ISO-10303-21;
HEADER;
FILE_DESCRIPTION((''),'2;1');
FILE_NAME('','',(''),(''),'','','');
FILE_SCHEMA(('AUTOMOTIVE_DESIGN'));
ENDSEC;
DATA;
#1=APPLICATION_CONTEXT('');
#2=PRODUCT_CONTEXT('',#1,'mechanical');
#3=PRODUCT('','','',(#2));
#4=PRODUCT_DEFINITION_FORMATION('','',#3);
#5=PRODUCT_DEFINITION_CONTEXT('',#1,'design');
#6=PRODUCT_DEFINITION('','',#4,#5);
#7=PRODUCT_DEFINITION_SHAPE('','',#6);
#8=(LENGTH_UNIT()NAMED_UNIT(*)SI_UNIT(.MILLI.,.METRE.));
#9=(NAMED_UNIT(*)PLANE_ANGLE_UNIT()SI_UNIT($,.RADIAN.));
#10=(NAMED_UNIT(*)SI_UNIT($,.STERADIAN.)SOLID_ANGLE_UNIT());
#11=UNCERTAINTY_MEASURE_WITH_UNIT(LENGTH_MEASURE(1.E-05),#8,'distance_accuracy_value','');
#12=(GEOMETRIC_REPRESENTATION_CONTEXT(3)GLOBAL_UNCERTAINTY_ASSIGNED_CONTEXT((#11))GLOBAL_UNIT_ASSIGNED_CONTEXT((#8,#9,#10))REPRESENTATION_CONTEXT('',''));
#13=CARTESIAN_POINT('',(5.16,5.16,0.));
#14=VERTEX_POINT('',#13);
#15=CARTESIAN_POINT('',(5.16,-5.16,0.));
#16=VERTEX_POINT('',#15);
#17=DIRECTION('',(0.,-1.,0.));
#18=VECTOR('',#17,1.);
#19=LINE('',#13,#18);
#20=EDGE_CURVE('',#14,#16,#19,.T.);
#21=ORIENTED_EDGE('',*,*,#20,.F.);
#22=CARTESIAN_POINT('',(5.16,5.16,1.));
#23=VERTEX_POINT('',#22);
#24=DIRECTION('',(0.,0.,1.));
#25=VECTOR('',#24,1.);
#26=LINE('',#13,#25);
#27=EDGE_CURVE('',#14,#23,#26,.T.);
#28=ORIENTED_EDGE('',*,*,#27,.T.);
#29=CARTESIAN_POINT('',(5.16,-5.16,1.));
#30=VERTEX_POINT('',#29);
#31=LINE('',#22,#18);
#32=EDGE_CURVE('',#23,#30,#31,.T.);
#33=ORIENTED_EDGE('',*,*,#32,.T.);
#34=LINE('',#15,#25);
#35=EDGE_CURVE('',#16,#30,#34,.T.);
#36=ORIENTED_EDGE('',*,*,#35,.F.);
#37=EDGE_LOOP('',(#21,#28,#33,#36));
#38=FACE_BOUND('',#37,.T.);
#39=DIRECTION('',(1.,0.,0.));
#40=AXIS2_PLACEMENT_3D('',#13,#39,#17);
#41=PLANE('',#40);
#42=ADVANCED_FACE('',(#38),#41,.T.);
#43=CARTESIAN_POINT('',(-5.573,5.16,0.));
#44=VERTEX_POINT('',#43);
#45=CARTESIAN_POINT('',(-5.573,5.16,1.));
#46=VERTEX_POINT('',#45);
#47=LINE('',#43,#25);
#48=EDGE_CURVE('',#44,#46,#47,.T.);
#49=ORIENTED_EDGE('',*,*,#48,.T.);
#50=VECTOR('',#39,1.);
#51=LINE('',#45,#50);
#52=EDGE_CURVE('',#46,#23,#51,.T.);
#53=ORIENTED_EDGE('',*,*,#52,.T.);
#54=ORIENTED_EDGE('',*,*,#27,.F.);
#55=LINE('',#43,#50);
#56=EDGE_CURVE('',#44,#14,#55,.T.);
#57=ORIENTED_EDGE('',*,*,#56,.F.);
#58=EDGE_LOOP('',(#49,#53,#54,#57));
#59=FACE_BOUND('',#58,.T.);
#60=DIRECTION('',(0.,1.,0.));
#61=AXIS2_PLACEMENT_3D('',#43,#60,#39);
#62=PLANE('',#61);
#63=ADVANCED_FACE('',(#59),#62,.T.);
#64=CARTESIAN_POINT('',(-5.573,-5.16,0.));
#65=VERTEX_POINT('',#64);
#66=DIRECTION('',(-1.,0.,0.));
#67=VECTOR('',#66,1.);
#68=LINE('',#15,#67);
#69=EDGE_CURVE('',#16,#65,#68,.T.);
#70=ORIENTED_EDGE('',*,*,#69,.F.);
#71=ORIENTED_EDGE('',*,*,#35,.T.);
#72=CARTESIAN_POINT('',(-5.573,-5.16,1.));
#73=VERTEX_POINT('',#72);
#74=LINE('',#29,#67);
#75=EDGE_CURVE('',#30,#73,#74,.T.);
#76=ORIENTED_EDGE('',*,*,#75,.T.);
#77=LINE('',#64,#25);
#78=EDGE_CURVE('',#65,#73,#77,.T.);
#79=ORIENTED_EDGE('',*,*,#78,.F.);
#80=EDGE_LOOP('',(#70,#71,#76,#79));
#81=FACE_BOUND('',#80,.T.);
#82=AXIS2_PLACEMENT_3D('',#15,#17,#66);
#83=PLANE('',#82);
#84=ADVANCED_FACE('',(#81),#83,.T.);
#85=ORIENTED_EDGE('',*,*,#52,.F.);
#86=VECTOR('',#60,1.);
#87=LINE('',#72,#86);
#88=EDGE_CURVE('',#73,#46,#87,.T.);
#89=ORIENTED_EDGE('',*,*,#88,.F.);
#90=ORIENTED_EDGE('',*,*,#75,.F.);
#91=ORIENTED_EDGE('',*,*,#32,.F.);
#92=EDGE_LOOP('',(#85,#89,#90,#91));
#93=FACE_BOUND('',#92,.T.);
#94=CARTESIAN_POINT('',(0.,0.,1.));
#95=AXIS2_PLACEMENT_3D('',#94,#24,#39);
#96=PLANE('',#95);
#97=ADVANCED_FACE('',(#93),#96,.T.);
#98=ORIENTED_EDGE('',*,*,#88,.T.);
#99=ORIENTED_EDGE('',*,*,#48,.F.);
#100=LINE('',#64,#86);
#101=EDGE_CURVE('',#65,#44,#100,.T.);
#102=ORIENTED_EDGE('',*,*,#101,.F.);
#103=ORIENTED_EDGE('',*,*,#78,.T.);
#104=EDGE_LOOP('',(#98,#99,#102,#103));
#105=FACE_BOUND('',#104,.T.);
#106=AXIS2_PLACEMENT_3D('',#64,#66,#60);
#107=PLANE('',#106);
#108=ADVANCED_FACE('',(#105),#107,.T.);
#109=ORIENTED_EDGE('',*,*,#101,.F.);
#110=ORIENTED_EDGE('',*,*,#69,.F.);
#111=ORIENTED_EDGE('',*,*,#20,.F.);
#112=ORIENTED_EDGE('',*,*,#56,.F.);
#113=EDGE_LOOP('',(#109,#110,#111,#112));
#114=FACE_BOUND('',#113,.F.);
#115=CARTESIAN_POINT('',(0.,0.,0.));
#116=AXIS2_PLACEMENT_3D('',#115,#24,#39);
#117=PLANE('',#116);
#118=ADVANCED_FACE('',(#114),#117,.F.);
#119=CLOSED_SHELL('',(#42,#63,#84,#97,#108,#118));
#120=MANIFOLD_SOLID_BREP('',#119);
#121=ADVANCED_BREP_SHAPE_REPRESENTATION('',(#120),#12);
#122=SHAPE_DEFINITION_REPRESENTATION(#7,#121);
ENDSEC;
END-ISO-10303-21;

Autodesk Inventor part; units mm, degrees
ref_plane "YZ Plane" through (0, 0, 0) normal (1, 0, 0) x (0, 1, 0)
ref_plane "XZ Plane" through (0, 0, 0) normal (0, 1, 0) x (-1, 0, 0)
ref_plane "XY Plane" through (0, 0, 0) normal (0, 0, 1) x (1, 0, 0)
sketch "QFP80P900X900X120-32N, ATMEGA328PB-AUR_31" plane through (0, 0, 0) normal (0, 0, 1) x (1, 0, 0)
  line L0 (-5.573, 5.16) -> (5.16, 5.16)
  line L1 (5.16, 5.16) -> (5.16, -5.16)
  line L2 (5.16, -5.16) -> (-5.573, -5.16)
  line L3 (-5.573, -5.16) -> (-5.573, 5.16)
extrude "Extrusion1" add sketch "QFP80P900X900X120-32N, ATMEGA328PB-AUR_31" along normal blind 1
properties part number "ATMEGA328PB-AUR"
